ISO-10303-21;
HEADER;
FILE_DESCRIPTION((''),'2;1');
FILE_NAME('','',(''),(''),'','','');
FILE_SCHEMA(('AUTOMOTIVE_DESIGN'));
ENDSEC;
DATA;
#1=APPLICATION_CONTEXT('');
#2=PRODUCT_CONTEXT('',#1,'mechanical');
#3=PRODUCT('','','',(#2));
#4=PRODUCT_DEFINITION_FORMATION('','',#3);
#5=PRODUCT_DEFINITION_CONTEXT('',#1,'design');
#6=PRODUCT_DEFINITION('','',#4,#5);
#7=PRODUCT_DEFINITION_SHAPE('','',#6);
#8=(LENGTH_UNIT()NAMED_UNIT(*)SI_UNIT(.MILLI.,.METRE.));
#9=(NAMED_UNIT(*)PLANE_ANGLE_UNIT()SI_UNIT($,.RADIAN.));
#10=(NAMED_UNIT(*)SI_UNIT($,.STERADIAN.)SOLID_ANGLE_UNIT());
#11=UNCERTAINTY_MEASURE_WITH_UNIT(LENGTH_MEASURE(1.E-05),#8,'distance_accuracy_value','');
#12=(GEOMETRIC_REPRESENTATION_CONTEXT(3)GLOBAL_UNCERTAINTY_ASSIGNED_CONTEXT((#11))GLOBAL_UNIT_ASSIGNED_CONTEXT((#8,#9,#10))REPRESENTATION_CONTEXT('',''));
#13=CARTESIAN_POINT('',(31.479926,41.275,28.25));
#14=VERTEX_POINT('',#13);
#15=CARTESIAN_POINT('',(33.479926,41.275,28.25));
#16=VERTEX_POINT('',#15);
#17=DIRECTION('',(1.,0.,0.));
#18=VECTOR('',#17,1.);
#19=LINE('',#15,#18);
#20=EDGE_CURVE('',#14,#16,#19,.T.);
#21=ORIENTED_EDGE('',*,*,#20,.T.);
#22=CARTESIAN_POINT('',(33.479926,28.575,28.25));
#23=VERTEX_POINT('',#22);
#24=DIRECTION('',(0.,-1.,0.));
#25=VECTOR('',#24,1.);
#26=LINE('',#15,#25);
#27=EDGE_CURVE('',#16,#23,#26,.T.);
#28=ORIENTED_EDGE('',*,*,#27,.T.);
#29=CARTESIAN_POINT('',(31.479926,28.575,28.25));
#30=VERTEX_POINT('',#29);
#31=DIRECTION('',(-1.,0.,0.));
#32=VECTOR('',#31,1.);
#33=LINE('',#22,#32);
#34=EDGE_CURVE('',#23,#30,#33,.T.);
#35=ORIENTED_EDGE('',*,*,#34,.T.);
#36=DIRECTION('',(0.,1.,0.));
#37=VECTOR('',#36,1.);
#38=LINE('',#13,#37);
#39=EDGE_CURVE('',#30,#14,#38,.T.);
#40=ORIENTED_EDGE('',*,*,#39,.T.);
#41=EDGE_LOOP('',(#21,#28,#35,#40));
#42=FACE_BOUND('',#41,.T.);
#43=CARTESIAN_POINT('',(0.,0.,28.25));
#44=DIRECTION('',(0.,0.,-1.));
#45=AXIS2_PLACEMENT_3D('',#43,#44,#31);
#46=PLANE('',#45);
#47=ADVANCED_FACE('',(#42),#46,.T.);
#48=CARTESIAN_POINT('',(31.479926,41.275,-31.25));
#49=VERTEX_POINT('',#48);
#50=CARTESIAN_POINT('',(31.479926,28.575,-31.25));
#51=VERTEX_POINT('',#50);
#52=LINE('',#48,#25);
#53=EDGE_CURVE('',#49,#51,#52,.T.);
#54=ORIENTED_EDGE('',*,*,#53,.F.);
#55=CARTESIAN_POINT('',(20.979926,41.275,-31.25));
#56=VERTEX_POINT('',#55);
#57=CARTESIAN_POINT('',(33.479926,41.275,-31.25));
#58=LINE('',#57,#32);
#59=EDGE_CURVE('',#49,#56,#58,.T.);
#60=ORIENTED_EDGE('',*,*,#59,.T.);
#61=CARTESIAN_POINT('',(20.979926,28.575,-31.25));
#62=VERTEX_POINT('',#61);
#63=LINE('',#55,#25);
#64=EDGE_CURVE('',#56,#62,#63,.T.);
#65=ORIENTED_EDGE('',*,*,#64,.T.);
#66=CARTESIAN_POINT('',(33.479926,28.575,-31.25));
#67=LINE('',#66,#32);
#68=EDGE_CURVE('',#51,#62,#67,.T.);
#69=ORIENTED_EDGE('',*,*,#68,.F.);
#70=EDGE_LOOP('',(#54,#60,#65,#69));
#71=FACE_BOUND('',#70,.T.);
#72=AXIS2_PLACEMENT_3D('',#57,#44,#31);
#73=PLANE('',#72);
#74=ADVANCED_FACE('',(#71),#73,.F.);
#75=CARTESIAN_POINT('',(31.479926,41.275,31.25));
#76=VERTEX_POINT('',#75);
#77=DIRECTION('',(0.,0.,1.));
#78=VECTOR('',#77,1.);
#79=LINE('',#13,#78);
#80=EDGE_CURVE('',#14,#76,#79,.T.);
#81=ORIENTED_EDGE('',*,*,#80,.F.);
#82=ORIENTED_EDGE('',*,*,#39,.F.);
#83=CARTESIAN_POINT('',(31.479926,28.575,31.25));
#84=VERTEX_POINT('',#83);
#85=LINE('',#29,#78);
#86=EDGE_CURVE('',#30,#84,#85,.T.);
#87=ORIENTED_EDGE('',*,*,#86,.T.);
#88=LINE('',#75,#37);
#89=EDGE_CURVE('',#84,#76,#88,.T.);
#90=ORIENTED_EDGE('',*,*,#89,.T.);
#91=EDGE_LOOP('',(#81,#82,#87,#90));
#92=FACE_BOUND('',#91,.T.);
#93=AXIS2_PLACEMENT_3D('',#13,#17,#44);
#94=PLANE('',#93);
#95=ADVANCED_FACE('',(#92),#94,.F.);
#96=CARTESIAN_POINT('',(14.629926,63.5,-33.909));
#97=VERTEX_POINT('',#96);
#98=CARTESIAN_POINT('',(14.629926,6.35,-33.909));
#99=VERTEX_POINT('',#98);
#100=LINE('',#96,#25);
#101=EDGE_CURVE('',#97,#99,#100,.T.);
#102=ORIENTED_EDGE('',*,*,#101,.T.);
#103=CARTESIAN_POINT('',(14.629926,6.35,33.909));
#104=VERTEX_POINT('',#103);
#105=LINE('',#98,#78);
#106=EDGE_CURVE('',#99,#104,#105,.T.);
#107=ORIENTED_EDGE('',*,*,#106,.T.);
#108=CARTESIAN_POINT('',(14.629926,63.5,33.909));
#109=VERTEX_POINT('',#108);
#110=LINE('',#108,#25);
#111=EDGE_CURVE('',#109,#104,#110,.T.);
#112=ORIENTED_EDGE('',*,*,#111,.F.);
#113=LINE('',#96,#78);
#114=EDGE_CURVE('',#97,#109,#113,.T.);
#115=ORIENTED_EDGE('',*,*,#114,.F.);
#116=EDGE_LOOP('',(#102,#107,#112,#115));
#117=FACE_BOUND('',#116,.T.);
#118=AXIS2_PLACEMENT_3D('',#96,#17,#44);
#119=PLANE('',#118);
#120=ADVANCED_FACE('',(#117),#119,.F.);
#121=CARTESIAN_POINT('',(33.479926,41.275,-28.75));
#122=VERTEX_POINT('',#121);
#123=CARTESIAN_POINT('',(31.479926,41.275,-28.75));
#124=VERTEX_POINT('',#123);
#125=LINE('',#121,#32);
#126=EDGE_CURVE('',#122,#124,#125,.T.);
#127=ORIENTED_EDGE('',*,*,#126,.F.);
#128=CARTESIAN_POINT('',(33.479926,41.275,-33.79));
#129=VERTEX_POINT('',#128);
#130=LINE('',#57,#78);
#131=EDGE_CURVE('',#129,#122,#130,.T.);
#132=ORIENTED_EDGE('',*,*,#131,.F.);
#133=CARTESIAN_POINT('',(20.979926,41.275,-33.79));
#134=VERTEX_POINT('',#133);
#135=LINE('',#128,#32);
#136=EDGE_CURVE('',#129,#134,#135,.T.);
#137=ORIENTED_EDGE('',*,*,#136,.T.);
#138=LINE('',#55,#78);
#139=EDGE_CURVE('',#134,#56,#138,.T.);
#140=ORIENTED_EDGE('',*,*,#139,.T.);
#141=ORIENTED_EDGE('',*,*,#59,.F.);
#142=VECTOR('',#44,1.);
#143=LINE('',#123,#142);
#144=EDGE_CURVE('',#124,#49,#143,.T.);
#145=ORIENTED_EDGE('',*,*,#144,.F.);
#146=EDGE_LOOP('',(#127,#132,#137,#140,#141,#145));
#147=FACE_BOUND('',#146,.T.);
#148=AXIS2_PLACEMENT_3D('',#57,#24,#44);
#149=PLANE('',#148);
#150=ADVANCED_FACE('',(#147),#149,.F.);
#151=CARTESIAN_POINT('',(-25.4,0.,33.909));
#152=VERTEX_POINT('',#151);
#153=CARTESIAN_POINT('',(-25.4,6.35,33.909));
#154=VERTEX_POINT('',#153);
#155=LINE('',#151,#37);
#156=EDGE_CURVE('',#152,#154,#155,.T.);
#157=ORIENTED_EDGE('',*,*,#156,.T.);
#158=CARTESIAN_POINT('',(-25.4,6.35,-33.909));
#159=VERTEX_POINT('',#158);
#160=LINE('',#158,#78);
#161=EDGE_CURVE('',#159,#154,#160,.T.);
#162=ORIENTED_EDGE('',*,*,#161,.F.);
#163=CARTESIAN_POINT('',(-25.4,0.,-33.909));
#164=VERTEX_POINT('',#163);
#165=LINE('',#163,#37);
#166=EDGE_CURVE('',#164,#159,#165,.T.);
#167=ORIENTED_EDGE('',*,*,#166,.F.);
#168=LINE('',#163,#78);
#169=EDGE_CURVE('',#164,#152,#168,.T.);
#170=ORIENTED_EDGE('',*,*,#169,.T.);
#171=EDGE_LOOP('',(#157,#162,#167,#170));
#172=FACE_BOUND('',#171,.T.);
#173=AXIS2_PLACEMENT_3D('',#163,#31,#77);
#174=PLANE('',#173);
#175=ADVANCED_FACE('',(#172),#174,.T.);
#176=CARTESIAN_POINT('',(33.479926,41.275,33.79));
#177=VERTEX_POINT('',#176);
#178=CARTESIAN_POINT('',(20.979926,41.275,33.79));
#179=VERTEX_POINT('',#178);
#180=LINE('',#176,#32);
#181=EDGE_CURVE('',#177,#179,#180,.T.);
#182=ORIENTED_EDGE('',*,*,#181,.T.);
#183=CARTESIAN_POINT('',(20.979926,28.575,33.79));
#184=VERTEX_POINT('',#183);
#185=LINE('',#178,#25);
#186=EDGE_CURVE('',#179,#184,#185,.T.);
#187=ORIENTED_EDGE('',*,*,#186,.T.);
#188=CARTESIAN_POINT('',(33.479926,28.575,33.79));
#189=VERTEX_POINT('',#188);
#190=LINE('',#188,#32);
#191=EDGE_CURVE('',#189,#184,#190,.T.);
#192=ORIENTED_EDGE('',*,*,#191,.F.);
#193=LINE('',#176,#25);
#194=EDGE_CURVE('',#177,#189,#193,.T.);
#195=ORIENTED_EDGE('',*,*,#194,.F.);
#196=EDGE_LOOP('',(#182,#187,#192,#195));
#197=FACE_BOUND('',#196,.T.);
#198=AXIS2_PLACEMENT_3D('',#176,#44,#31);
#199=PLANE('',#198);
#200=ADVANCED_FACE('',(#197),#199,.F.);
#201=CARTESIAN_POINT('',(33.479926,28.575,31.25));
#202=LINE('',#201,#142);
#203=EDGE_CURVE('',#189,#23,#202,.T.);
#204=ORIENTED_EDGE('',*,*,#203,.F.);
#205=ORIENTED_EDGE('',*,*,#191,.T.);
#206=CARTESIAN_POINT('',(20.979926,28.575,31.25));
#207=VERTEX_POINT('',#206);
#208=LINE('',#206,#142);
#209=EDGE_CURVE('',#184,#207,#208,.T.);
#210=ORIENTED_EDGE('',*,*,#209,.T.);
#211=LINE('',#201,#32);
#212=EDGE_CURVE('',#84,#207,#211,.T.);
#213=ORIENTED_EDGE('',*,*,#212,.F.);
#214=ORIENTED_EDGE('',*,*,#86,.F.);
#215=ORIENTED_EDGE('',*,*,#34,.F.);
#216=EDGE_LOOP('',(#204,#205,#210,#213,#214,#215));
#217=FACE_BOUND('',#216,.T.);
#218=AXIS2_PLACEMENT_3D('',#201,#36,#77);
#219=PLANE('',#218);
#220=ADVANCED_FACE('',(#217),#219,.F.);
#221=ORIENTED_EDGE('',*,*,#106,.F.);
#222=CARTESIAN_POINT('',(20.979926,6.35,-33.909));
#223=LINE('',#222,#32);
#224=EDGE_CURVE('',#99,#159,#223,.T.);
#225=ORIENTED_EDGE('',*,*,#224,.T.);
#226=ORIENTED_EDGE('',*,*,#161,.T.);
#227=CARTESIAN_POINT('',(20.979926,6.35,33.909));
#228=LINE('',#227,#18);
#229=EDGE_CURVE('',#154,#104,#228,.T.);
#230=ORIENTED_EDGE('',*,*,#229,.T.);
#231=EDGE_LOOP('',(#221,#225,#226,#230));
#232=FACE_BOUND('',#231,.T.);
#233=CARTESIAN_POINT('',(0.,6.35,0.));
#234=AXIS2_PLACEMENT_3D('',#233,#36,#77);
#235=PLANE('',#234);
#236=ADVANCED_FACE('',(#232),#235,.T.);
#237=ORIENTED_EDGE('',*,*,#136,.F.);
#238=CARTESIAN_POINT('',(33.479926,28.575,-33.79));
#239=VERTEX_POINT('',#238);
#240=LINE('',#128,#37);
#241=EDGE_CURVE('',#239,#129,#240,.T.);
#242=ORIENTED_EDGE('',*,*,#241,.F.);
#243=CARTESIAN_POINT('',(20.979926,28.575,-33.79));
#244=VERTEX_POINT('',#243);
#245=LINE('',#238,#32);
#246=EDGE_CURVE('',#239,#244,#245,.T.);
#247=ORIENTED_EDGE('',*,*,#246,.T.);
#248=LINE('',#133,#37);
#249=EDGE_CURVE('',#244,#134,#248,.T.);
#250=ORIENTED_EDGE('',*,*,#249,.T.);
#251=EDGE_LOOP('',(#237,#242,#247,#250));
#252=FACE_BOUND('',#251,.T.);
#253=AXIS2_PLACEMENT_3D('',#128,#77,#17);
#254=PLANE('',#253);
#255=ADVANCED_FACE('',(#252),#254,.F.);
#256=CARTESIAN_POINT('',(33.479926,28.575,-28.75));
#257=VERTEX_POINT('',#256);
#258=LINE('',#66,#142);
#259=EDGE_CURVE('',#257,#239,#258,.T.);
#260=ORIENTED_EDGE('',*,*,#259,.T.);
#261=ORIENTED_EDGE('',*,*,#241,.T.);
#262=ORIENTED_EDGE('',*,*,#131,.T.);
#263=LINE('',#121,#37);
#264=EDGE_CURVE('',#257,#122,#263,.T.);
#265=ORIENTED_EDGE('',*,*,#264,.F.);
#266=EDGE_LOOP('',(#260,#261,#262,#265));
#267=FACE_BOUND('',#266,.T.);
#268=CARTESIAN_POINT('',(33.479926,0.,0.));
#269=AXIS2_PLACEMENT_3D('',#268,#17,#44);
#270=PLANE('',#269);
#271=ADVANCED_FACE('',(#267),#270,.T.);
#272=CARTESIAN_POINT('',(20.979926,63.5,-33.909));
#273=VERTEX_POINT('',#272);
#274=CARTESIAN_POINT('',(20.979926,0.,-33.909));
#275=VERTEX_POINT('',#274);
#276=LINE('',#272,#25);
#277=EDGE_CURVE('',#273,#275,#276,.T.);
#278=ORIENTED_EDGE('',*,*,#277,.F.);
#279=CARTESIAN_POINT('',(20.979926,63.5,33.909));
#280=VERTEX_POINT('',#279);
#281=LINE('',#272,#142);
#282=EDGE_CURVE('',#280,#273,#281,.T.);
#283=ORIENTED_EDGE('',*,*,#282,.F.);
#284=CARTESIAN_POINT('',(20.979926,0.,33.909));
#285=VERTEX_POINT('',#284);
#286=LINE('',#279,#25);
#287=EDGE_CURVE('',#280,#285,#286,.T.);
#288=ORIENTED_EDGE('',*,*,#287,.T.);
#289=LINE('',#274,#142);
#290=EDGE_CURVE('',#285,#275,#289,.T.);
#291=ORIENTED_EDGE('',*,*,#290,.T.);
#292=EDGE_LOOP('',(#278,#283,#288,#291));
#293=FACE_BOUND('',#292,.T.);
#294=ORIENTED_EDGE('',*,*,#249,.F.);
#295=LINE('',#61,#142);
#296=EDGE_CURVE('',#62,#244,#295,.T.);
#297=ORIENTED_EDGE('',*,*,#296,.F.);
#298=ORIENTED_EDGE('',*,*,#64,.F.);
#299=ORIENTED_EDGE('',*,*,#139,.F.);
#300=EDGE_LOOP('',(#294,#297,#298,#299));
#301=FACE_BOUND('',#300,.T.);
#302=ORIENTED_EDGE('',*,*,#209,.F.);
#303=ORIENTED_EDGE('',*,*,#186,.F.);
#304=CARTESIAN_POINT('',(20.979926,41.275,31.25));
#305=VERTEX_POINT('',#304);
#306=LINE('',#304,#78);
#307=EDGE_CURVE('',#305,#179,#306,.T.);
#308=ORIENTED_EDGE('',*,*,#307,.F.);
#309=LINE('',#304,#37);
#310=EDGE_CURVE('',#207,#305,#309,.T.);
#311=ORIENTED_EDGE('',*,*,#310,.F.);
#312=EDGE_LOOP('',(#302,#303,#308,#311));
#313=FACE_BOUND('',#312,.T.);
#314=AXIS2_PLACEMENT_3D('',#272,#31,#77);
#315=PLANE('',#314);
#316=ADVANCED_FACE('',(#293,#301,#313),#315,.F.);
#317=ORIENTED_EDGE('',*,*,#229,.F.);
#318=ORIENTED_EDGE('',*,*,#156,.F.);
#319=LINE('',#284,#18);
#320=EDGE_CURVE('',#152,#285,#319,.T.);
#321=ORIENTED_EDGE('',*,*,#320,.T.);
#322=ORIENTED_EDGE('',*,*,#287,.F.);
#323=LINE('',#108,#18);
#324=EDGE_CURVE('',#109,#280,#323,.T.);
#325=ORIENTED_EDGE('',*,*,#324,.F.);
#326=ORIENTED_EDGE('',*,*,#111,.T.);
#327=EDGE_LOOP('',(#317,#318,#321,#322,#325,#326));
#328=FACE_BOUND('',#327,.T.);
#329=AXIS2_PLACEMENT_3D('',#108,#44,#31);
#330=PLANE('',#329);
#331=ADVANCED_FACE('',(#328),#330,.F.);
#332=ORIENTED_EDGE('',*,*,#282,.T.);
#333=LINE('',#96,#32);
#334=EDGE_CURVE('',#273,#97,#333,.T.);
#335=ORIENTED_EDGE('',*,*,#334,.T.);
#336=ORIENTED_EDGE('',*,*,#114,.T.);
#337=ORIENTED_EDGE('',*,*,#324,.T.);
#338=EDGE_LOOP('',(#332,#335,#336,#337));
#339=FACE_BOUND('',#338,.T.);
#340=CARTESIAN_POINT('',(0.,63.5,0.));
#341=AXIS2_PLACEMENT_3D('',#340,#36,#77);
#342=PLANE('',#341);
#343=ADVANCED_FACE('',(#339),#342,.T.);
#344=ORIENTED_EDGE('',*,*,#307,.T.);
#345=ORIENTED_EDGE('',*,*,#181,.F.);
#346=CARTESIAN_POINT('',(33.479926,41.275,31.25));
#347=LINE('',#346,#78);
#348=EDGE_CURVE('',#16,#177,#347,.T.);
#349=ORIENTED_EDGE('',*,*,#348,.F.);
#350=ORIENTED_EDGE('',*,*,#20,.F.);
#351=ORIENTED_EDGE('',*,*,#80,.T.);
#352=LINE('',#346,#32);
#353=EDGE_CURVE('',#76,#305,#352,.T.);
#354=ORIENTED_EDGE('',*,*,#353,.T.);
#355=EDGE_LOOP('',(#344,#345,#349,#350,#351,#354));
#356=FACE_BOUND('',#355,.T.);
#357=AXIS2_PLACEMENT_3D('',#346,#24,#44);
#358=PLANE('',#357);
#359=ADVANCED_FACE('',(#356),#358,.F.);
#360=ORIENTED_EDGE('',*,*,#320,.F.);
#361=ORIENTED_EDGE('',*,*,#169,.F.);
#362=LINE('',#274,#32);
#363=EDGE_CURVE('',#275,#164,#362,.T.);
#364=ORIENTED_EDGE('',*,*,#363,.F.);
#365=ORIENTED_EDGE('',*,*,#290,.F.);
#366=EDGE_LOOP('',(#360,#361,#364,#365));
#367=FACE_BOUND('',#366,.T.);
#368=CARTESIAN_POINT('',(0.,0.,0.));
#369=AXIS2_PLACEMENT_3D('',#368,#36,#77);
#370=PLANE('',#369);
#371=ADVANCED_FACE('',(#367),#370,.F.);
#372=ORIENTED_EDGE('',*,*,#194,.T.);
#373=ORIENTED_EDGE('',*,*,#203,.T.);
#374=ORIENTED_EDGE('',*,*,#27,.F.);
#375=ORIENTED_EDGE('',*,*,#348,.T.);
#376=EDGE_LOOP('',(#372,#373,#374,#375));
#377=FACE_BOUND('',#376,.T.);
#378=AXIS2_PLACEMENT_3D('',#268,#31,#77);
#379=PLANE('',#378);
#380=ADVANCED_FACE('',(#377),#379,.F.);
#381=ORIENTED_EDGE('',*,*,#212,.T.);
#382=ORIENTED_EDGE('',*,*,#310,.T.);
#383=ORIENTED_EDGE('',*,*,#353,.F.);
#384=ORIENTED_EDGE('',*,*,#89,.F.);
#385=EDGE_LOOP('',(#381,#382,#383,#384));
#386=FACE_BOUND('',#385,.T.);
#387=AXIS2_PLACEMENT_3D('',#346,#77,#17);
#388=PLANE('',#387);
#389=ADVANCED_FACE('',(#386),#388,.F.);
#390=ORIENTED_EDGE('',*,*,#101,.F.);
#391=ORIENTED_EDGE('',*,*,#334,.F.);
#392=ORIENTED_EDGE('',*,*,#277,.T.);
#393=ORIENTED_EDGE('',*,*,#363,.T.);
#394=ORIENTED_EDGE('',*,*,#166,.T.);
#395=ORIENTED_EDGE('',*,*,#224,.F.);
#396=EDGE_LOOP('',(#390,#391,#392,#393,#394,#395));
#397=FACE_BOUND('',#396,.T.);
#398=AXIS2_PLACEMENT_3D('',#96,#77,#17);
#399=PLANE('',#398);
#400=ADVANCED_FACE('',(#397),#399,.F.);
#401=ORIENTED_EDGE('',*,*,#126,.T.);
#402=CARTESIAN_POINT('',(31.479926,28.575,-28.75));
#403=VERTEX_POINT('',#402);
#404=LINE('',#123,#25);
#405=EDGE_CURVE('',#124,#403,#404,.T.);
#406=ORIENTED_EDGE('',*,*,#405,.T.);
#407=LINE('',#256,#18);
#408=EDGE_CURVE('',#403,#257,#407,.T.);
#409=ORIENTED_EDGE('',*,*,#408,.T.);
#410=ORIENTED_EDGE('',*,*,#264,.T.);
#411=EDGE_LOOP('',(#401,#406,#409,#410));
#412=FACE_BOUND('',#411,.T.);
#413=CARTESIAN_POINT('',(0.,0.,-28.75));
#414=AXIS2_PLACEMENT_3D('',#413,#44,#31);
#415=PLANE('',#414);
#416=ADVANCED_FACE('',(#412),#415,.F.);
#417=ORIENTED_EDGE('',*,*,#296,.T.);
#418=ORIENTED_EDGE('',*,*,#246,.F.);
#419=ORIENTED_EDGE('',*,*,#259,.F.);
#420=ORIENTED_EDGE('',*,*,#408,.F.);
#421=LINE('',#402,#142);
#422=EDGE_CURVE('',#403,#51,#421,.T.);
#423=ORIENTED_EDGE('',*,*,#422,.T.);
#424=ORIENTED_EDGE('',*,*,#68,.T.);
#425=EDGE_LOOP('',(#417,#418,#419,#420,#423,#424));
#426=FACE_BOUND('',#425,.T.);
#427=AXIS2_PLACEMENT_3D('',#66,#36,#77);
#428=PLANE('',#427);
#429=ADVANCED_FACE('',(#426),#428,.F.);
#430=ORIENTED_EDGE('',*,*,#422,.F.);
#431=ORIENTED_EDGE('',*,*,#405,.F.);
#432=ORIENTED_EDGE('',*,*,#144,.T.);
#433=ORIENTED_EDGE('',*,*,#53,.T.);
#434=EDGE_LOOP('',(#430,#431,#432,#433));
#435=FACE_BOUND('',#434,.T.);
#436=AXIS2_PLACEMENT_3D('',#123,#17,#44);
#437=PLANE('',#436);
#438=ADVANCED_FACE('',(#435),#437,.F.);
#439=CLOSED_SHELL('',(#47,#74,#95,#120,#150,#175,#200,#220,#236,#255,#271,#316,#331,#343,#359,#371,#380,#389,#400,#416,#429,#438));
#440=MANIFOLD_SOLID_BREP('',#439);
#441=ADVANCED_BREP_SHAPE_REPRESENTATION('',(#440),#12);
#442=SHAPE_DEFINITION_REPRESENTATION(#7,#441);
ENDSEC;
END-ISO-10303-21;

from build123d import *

# Parameters (mm, degrees)
SKETCH1_R           = 50.8
BOSS_EXTRUDE1_DEPTH = 6.35
SKETCH2_W           = 6.35
SKETCH2_H           = 67.818
BOSS_EXTRUDE2_DEPTH = 57.15
SKETCH3_W           = 2.54
SKETCH3_H           = 12.7
BOSS_EXTRUDE3_DEPTH = 12.500000082
SKETCH4_W           = 2
SKETCH4_H           = 12.7
BOSS_EXTRUDE4_DEPTH = 3
SKETCH5_W           = 2
SKETCH5_H           = 12.7
BOSS_EXTRUDE5_DEPTH = 2.5
SKETCH6_OUTSIDE_W   = 135.018
SKETCH6_OUTSIDE_H   = 135.018
SKETCH6_OUTSIDE_W_2 = 46.379926406
SKETCH6_OUTSIDE_H_2 = 67.818
CUT_EXTRUDE1_DEPTH  = 7.35


with BuildPart() as part:
    # Sketch1 → Boss-Extrude1 (new body)
    with BuildSketch(Plane(origin=(0, 0, 0), x_dir=(1, 0, 0), z_dir=(0, 1, 0))):
        Circle(SKETCH1_R)
    extrude(amount=BOSS_EXTRUDE1_DEPTH)

    # Sketch2 → Boss-Extrude2 (add)
    with BuildSketch(Plane(origin=(0, 6.35, 0), x_dir=(1, 0, 0), z_dir=(0, 1, 0))):
        with Locations((17.804926406, 0)):
            Rectangle(SKETCH2_W, SKETCH2_H)
    extrude(amount=BOSS_EXTRUDE2_DEPTH)

    # Sketch3 → Boss-Extrude3 (add)
    with BuildSketch(Plane(origin=(20.979926406, 0, 0), x_dir=(0, 0, -1), z_dir=(1, 0, 0))):
        with Locations((-32.52, 34.925)):
            Rectangle(SKETCH3_W, SKETCH3_H)
        with Locations((32.52, 34.925)):
            Rectangle(SKETCH3_W, SKETCH3_H)
    extrude(amount=BOSS_EXTRUDE3_DEPTH)

    # Sketch4 → Boss-Extrude4 (add)
    with BuildSketch(Plane(origin=(0, 0, 31.25), x_dir=(-1, 0, 0), z_dir=(0, 0, -1))):
        with Locations((-32.479926488, 34.925)):
            Rectangle(SKETCH4_W, SKETCH4_H)
    extrude(amount=BOSS_EXTRUDE4_DEPTH)

    # Sketch5 → Boss-Extrude5 (add)
    with BuildSketch(Plane.XY.offset(-31.25)):
        with Locations((32.479926488, 34.925)):
            Rectangle(SKETCH5_W, SKETCH5_H)
    extrude(amount=BOSS_EXTRUDE5_DEPTH)

    # Sketch6 outside → Cut-Extrude1 (cut, through all)
    with BuildSketch(Plane(origin=(0, 6.35, 0), x_dir=(1, 0, 0), z_dir=(0, 1, 0))):
        Rectangle(SKETCH6_OUTSIDE_W, SKETCH6_OUTSIDE_H)
        with Locations((-2.210036797, 0)):
            Rectangle(SKETCH6_OUTSIDE_W_2, SKETCH6_OUTSIDE_H_2, mode=Mode.SUBTRACT)
    extrude(amount=-CUT_EXTRUDE1_DEPTH, mode=Mode.SUBTRACT)


solid = part.part
